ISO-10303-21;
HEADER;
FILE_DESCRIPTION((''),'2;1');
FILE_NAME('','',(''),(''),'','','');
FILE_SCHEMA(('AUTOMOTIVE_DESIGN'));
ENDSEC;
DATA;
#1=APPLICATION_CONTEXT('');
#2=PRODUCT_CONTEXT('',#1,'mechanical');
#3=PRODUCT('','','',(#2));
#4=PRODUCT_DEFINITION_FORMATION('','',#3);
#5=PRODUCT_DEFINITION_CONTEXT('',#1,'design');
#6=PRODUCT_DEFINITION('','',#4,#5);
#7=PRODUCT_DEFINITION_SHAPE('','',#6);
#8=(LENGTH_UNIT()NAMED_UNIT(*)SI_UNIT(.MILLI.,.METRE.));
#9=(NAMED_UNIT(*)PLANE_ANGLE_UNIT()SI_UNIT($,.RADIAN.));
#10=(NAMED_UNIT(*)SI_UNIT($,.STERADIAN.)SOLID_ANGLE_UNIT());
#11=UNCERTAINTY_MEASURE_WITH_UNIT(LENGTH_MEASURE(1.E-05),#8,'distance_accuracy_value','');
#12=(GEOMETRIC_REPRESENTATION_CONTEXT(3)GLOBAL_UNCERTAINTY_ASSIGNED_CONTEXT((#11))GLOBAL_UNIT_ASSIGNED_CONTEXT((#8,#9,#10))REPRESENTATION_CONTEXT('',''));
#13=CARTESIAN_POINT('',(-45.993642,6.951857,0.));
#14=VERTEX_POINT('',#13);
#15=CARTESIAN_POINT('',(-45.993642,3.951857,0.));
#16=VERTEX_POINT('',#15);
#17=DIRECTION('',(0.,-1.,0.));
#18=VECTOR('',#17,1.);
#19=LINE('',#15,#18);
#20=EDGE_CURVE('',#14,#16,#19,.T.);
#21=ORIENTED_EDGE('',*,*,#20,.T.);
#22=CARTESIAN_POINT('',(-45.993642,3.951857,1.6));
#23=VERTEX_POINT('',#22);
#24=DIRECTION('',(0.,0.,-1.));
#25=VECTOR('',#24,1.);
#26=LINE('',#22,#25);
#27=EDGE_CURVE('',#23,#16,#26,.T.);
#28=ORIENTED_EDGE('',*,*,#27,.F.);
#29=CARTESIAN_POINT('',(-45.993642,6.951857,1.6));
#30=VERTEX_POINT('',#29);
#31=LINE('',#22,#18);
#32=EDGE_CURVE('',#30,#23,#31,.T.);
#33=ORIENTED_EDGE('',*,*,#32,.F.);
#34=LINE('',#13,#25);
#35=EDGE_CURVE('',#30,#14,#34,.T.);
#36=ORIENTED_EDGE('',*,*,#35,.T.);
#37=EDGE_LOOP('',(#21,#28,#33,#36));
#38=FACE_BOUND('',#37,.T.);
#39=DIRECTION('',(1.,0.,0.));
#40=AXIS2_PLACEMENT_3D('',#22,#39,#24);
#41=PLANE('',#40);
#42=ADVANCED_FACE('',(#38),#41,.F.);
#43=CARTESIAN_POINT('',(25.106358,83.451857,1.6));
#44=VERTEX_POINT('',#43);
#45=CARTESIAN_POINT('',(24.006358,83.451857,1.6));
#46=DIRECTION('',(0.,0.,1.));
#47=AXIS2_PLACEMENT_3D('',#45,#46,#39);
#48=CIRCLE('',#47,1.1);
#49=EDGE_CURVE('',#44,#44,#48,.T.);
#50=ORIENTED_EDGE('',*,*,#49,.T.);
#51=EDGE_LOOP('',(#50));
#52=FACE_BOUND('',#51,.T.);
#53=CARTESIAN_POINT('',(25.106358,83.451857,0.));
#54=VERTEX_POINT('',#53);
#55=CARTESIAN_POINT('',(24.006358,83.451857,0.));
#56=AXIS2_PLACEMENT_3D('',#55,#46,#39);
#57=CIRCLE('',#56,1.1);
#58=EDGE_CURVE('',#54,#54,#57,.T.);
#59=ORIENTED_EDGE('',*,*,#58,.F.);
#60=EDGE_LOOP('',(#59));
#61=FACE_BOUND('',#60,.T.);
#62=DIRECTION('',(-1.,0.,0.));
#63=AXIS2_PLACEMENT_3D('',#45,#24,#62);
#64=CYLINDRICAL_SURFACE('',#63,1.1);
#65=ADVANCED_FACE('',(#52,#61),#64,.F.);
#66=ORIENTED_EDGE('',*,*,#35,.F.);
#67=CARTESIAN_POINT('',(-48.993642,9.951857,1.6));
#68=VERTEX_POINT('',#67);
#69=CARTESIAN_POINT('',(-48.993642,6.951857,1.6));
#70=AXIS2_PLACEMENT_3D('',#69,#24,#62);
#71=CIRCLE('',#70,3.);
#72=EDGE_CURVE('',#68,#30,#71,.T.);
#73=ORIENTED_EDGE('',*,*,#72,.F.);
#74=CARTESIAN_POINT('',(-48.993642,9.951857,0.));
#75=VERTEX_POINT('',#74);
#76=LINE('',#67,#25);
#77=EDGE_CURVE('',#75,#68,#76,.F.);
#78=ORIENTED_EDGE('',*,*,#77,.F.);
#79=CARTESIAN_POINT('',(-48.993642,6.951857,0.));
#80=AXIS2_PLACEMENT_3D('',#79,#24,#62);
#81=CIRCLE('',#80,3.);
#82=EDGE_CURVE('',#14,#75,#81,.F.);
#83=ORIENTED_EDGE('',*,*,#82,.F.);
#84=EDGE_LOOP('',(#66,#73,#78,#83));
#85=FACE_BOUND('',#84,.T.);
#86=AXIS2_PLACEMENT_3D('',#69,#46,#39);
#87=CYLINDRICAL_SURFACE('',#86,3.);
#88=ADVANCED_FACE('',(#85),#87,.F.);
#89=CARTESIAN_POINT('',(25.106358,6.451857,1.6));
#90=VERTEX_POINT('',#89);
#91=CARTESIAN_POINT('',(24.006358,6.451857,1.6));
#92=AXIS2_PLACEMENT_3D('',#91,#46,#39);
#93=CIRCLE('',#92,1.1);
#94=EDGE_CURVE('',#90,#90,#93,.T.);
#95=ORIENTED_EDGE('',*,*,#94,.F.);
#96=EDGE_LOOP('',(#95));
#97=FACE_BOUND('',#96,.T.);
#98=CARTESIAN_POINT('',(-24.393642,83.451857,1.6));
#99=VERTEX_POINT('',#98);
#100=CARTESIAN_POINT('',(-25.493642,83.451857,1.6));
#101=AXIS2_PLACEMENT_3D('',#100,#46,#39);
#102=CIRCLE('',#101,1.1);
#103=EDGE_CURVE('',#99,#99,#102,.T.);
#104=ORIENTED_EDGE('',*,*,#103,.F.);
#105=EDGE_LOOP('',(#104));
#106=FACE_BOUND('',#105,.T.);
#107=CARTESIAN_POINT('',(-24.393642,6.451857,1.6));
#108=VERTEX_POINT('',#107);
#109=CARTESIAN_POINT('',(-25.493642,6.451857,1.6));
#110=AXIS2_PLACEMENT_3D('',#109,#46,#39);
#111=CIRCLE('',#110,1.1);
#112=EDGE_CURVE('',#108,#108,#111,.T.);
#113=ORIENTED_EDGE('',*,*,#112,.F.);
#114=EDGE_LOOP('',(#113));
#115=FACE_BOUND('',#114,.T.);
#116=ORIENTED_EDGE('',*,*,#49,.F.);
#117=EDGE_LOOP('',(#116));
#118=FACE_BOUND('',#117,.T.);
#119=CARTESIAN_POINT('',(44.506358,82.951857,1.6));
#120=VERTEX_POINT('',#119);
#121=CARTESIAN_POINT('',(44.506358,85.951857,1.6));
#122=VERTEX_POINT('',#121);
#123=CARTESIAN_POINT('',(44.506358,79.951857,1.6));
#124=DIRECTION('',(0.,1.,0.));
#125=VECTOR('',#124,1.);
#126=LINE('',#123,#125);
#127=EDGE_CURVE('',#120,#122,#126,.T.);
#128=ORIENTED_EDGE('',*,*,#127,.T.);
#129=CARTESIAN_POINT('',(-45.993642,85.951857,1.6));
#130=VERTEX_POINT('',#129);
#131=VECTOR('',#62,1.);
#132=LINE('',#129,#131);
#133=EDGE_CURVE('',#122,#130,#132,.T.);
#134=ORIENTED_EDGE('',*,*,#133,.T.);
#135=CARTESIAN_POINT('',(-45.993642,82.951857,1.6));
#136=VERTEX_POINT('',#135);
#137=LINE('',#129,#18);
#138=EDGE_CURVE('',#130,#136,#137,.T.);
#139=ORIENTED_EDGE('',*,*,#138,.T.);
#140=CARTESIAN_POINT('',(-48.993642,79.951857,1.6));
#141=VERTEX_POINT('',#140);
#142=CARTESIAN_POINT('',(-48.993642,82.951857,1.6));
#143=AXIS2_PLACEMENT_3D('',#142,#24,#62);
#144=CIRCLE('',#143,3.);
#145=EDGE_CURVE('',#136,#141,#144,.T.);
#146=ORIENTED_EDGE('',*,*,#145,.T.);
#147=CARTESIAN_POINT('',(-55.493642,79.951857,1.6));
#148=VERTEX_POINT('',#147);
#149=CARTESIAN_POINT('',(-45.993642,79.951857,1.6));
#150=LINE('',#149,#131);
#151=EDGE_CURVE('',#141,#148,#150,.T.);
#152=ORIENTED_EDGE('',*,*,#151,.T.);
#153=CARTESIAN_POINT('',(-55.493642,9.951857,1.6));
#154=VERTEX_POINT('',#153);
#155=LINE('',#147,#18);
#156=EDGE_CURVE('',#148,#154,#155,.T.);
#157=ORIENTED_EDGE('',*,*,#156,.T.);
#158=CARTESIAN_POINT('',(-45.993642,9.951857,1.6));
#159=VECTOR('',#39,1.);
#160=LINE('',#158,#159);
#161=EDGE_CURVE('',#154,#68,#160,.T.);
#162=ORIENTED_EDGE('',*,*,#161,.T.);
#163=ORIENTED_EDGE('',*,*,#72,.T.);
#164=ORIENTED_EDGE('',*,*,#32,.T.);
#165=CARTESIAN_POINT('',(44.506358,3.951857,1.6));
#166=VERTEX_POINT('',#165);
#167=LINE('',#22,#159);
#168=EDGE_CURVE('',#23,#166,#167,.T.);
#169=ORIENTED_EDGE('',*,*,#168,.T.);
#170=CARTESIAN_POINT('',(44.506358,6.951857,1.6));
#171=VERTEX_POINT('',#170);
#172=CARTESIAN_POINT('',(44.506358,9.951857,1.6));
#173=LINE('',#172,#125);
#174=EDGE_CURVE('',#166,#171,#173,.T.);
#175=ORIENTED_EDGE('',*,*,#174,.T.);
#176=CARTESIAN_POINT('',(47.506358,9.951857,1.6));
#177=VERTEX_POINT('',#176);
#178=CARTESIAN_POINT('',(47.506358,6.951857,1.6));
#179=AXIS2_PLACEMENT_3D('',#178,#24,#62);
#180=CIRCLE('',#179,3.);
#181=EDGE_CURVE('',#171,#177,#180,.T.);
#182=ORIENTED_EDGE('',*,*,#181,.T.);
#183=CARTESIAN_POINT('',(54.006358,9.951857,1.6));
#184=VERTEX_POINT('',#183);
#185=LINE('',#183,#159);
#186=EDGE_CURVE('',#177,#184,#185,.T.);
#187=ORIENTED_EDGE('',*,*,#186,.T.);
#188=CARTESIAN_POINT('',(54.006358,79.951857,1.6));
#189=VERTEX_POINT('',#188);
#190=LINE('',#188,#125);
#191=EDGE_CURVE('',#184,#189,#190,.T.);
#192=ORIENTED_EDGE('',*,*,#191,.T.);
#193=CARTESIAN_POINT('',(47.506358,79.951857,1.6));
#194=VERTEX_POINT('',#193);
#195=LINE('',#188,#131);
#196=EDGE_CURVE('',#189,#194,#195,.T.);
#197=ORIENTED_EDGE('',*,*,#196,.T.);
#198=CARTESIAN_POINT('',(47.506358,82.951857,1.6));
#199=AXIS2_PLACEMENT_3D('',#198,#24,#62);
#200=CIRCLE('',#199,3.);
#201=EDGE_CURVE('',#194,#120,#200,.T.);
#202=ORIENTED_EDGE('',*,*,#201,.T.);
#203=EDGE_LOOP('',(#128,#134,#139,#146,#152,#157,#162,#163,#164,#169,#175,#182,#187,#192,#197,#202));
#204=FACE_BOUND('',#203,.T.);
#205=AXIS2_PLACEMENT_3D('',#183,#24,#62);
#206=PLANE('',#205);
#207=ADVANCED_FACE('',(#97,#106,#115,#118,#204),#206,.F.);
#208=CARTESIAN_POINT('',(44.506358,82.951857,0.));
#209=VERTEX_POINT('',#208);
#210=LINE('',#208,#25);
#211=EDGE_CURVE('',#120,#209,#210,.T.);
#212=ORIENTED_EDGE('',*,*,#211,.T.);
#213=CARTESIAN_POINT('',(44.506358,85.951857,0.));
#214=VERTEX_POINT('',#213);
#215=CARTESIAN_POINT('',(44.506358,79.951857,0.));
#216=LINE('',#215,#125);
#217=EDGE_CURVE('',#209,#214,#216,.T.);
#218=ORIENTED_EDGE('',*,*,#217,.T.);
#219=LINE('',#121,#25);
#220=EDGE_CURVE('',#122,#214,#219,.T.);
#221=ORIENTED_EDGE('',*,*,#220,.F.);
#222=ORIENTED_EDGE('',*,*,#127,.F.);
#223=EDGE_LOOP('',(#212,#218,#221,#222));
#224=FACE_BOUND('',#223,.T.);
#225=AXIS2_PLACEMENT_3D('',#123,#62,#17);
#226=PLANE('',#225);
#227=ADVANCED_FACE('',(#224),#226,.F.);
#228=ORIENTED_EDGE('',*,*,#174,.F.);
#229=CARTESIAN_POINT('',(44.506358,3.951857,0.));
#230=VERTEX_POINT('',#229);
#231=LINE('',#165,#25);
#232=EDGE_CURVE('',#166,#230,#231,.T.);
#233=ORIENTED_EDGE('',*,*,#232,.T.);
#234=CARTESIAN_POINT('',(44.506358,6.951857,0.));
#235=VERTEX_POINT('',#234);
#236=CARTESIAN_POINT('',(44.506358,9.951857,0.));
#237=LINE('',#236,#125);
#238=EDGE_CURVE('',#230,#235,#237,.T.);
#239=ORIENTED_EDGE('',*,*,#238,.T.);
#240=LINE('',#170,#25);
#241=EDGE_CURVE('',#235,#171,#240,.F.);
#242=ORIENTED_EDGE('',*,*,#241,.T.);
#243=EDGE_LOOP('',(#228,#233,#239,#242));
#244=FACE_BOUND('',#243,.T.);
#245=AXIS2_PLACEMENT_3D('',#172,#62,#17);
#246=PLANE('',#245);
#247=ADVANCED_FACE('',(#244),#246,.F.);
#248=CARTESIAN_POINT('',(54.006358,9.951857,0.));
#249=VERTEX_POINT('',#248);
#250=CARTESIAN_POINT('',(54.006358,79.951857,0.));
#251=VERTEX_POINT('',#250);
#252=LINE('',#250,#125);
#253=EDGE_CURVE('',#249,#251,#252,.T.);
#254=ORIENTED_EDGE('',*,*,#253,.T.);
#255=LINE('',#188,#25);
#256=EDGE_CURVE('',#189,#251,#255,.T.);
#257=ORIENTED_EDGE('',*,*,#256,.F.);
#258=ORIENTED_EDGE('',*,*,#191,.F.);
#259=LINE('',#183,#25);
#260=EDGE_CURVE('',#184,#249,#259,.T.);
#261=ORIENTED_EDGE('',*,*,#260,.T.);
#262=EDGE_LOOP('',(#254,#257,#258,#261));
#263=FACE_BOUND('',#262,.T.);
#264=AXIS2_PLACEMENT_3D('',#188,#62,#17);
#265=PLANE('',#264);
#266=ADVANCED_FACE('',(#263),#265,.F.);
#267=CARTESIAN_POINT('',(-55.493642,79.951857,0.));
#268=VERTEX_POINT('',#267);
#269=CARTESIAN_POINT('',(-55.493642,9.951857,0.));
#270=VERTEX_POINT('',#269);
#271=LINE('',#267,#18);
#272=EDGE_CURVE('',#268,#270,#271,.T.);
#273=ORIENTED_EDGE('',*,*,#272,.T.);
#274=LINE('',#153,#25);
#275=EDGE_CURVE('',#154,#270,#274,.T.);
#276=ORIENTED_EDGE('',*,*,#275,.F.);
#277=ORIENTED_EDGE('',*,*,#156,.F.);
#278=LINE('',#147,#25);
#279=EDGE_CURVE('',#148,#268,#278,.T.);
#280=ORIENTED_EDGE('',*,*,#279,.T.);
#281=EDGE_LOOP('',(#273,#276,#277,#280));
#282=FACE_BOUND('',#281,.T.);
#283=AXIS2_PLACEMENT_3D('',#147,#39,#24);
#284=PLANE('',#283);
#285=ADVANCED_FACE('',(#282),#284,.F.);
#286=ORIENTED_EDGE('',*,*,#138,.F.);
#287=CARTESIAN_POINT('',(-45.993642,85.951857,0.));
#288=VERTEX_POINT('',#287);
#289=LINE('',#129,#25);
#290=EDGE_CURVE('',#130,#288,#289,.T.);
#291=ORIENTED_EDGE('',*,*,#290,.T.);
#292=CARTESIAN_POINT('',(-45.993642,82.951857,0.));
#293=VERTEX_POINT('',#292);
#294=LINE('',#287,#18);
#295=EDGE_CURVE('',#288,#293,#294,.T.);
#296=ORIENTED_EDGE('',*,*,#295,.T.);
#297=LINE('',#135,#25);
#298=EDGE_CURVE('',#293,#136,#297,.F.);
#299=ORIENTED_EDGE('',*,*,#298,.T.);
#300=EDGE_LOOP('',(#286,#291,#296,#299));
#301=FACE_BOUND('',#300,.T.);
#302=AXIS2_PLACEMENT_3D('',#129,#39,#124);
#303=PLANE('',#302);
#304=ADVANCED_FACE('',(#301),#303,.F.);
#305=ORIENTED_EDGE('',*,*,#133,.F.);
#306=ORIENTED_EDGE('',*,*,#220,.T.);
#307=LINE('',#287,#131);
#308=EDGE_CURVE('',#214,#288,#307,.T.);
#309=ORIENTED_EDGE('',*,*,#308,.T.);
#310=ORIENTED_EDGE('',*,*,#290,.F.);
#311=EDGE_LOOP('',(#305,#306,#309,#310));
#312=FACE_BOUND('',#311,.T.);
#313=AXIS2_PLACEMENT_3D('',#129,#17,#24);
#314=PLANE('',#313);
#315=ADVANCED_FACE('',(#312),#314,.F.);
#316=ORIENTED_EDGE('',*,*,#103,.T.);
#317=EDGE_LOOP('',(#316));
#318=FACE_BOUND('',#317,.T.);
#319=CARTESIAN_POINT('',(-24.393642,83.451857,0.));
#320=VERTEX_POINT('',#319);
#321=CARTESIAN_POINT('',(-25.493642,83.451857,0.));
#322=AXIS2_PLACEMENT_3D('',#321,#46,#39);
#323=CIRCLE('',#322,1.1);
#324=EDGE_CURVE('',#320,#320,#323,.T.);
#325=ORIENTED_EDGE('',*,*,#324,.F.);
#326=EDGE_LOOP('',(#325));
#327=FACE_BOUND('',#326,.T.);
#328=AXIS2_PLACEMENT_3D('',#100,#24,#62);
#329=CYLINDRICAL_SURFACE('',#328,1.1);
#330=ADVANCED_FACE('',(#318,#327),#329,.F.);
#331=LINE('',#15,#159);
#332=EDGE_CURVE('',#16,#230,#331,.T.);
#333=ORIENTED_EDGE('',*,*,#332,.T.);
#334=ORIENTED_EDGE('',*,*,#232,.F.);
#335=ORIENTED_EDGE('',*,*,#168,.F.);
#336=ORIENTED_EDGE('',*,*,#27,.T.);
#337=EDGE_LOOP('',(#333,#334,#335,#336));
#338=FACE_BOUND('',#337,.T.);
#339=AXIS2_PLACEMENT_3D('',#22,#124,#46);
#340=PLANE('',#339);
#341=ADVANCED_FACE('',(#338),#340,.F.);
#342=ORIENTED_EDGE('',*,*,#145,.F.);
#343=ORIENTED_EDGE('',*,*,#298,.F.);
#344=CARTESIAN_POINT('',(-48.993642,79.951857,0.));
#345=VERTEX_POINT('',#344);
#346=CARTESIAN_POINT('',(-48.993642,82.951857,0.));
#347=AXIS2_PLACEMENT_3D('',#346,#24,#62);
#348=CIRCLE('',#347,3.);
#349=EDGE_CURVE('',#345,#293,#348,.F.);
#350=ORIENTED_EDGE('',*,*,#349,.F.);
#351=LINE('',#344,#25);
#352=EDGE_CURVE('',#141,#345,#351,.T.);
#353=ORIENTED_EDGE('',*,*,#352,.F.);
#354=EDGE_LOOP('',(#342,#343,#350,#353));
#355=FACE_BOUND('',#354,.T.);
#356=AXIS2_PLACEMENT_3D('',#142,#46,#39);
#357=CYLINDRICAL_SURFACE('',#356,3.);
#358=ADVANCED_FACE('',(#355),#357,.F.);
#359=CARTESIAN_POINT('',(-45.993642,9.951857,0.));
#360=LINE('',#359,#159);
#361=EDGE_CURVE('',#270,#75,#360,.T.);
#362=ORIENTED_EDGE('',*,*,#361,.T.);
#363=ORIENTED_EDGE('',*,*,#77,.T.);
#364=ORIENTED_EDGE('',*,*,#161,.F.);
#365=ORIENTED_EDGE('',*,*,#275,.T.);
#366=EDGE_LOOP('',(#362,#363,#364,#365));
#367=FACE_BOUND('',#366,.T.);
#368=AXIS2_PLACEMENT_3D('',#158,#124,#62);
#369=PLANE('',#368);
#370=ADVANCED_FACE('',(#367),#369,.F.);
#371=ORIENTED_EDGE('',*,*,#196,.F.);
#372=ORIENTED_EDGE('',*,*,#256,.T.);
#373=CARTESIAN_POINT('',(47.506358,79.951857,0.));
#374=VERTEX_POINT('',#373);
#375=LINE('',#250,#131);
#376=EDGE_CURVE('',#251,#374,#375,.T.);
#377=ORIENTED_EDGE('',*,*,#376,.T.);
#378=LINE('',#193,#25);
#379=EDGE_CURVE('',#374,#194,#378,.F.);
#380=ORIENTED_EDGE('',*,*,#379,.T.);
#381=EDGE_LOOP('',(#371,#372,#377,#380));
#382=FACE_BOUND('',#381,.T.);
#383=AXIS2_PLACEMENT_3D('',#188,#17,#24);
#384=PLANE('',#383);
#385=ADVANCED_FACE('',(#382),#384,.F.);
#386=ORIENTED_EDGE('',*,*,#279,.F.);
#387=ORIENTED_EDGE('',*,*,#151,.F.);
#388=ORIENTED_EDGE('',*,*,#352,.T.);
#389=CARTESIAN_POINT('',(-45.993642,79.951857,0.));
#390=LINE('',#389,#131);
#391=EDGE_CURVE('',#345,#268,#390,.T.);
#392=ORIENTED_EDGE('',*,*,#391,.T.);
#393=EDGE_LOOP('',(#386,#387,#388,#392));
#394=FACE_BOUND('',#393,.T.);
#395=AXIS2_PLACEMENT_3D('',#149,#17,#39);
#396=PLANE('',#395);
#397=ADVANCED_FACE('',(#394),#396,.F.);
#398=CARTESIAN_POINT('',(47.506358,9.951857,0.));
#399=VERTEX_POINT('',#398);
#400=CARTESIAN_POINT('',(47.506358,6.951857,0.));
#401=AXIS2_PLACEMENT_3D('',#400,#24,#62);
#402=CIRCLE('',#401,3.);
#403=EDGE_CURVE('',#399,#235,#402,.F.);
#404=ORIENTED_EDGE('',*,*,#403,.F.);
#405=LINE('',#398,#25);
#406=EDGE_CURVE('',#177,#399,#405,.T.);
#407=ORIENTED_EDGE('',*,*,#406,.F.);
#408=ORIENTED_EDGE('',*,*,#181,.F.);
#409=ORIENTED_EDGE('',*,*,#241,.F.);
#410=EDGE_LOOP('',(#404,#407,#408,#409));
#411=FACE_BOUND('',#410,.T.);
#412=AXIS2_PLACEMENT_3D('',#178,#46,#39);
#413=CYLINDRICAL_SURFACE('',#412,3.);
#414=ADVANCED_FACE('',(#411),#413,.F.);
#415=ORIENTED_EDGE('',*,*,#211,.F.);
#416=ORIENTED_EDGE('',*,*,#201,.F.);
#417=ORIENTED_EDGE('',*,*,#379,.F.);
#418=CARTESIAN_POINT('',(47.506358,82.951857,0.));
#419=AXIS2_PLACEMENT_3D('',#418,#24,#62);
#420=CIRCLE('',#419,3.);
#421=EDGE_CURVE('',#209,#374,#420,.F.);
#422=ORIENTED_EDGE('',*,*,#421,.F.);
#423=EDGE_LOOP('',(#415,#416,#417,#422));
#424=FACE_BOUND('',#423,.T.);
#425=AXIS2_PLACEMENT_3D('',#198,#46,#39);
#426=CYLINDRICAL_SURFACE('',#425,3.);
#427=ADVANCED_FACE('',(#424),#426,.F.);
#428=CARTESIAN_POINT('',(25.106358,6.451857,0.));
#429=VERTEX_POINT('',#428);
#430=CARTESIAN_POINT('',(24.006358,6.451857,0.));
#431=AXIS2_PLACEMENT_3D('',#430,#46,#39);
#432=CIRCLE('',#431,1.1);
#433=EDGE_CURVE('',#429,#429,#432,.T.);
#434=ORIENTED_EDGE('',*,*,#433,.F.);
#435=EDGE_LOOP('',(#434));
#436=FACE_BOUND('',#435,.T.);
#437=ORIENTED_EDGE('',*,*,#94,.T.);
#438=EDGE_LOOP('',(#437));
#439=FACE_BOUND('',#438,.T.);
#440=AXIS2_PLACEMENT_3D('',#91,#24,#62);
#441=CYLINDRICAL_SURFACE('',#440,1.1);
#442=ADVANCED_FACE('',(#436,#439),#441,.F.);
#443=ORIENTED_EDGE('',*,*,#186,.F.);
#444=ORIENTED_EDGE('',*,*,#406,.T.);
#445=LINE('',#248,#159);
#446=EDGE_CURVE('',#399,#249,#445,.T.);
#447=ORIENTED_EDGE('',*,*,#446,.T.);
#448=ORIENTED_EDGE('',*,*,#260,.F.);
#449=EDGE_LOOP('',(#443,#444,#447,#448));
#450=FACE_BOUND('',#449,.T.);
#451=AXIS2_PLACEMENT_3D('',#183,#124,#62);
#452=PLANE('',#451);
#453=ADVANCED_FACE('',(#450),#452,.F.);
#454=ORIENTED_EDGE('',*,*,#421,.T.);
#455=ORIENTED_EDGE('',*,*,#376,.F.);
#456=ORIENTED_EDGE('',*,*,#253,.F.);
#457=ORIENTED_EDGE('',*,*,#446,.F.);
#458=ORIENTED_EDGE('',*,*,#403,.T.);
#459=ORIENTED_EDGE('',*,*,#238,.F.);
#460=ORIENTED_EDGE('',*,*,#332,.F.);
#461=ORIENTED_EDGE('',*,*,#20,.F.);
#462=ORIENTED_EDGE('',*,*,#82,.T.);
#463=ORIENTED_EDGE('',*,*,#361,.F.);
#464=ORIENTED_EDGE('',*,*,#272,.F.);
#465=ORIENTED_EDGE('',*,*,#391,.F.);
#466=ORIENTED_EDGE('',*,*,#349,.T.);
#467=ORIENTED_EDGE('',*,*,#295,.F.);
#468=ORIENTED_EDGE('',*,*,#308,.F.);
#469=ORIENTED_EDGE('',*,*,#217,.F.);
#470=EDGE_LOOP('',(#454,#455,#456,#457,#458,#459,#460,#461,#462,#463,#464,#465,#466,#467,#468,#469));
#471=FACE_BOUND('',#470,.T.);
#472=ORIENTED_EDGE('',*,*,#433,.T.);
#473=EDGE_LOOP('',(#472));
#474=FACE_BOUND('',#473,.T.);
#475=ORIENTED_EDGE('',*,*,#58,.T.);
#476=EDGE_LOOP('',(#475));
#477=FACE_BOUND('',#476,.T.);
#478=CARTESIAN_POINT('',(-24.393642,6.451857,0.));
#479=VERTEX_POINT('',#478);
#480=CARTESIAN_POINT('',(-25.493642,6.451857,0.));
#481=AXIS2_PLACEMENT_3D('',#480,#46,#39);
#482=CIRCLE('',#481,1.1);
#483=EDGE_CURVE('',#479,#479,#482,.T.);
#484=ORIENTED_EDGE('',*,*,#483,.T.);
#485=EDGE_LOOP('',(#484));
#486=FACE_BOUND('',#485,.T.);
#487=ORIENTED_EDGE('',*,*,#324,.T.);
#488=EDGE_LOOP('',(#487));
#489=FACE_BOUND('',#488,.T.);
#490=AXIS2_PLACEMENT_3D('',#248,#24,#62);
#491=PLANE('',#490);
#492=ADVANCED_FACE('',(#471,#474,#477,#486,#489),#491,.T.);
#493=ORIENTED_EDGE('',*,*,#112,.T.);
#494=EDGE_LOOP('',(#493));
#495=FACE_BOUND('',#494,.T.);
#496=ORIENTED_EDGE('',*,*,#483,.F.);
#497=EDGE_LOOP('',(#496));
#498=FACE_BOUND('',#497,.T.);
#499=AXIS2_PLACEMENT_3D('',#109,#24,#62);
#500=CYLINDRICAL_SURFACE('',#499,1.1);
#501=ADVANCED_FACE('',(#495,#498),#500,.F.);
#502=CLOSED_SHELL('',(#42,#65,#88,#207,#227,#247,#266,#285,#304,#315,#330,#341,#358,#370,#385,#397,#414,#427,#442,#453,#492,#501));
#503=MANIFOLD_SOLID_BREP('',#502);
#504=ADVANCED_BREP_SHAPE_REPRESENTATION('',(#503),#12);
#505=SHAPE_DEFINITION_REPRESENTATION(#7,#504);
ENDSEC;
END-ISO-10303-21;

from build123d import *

# Parameters (mm, degrees)
SKETCH1_R           = 1.1
BOSS_EXTRUDE1_DEPTH = 1.6
FILLET1_R           = 3


with BuildPart() as part:
    # Sketch1 → Boss-Extrude1 (new body)
    with BuildSketch(Plane.XY):
        Polygon((54.006358498, 79.95185693), (44.506358498, 79.95185693), (44.506358498, 85.95185693), (-45.993641502, 85.95185693), (-45.993641502, 79.95185693), (-55.493641502, 79.95185693), (-55.493641502, 9.95185693), (-45.993641502, 9.95185693), (-45.993641502, 3.95185693), (44.506358498, 3.95185693), (44.506358498, 9.95185693), (54.006358498, 9.95185693), align=None)
        with Locations((-25.493641502, 83.45185693)):
            Circle(SKETCH1_R, mode=Mode.SUBTRACT)
        with Locations((24.006358498, 83.45185693)):
            Circle(SKETCH1_R, mode=Mode.SUBTRACT)
        with Locations((24.006358498, 6.45185693)):
            Circle(SKETCH1_R, mode=Mode.SUBTRACT)
        with Locations((-25.493641502, 6.45185693)):
            Circle(SKETCH1_R, mode=Mode.SUBTRACT)
    extrude(amount=BOSS_EXTRUDE1_DEPTH)

    # Fillet1
    fillet1_edges = [part.edges().sort_by_distance(p)[0] for p in [
        (44.506358498, 9.95185693, 0.8),
        (-45.993641502, 9.95185693, 0.8),
        (-45.993641502, 79.95185693, 0.8),
        (44.506358498, 79.95185693, 0.8),
    ]]
    fillet(fillet1_edges, radius=FILLET1_R)


solid = part.part
